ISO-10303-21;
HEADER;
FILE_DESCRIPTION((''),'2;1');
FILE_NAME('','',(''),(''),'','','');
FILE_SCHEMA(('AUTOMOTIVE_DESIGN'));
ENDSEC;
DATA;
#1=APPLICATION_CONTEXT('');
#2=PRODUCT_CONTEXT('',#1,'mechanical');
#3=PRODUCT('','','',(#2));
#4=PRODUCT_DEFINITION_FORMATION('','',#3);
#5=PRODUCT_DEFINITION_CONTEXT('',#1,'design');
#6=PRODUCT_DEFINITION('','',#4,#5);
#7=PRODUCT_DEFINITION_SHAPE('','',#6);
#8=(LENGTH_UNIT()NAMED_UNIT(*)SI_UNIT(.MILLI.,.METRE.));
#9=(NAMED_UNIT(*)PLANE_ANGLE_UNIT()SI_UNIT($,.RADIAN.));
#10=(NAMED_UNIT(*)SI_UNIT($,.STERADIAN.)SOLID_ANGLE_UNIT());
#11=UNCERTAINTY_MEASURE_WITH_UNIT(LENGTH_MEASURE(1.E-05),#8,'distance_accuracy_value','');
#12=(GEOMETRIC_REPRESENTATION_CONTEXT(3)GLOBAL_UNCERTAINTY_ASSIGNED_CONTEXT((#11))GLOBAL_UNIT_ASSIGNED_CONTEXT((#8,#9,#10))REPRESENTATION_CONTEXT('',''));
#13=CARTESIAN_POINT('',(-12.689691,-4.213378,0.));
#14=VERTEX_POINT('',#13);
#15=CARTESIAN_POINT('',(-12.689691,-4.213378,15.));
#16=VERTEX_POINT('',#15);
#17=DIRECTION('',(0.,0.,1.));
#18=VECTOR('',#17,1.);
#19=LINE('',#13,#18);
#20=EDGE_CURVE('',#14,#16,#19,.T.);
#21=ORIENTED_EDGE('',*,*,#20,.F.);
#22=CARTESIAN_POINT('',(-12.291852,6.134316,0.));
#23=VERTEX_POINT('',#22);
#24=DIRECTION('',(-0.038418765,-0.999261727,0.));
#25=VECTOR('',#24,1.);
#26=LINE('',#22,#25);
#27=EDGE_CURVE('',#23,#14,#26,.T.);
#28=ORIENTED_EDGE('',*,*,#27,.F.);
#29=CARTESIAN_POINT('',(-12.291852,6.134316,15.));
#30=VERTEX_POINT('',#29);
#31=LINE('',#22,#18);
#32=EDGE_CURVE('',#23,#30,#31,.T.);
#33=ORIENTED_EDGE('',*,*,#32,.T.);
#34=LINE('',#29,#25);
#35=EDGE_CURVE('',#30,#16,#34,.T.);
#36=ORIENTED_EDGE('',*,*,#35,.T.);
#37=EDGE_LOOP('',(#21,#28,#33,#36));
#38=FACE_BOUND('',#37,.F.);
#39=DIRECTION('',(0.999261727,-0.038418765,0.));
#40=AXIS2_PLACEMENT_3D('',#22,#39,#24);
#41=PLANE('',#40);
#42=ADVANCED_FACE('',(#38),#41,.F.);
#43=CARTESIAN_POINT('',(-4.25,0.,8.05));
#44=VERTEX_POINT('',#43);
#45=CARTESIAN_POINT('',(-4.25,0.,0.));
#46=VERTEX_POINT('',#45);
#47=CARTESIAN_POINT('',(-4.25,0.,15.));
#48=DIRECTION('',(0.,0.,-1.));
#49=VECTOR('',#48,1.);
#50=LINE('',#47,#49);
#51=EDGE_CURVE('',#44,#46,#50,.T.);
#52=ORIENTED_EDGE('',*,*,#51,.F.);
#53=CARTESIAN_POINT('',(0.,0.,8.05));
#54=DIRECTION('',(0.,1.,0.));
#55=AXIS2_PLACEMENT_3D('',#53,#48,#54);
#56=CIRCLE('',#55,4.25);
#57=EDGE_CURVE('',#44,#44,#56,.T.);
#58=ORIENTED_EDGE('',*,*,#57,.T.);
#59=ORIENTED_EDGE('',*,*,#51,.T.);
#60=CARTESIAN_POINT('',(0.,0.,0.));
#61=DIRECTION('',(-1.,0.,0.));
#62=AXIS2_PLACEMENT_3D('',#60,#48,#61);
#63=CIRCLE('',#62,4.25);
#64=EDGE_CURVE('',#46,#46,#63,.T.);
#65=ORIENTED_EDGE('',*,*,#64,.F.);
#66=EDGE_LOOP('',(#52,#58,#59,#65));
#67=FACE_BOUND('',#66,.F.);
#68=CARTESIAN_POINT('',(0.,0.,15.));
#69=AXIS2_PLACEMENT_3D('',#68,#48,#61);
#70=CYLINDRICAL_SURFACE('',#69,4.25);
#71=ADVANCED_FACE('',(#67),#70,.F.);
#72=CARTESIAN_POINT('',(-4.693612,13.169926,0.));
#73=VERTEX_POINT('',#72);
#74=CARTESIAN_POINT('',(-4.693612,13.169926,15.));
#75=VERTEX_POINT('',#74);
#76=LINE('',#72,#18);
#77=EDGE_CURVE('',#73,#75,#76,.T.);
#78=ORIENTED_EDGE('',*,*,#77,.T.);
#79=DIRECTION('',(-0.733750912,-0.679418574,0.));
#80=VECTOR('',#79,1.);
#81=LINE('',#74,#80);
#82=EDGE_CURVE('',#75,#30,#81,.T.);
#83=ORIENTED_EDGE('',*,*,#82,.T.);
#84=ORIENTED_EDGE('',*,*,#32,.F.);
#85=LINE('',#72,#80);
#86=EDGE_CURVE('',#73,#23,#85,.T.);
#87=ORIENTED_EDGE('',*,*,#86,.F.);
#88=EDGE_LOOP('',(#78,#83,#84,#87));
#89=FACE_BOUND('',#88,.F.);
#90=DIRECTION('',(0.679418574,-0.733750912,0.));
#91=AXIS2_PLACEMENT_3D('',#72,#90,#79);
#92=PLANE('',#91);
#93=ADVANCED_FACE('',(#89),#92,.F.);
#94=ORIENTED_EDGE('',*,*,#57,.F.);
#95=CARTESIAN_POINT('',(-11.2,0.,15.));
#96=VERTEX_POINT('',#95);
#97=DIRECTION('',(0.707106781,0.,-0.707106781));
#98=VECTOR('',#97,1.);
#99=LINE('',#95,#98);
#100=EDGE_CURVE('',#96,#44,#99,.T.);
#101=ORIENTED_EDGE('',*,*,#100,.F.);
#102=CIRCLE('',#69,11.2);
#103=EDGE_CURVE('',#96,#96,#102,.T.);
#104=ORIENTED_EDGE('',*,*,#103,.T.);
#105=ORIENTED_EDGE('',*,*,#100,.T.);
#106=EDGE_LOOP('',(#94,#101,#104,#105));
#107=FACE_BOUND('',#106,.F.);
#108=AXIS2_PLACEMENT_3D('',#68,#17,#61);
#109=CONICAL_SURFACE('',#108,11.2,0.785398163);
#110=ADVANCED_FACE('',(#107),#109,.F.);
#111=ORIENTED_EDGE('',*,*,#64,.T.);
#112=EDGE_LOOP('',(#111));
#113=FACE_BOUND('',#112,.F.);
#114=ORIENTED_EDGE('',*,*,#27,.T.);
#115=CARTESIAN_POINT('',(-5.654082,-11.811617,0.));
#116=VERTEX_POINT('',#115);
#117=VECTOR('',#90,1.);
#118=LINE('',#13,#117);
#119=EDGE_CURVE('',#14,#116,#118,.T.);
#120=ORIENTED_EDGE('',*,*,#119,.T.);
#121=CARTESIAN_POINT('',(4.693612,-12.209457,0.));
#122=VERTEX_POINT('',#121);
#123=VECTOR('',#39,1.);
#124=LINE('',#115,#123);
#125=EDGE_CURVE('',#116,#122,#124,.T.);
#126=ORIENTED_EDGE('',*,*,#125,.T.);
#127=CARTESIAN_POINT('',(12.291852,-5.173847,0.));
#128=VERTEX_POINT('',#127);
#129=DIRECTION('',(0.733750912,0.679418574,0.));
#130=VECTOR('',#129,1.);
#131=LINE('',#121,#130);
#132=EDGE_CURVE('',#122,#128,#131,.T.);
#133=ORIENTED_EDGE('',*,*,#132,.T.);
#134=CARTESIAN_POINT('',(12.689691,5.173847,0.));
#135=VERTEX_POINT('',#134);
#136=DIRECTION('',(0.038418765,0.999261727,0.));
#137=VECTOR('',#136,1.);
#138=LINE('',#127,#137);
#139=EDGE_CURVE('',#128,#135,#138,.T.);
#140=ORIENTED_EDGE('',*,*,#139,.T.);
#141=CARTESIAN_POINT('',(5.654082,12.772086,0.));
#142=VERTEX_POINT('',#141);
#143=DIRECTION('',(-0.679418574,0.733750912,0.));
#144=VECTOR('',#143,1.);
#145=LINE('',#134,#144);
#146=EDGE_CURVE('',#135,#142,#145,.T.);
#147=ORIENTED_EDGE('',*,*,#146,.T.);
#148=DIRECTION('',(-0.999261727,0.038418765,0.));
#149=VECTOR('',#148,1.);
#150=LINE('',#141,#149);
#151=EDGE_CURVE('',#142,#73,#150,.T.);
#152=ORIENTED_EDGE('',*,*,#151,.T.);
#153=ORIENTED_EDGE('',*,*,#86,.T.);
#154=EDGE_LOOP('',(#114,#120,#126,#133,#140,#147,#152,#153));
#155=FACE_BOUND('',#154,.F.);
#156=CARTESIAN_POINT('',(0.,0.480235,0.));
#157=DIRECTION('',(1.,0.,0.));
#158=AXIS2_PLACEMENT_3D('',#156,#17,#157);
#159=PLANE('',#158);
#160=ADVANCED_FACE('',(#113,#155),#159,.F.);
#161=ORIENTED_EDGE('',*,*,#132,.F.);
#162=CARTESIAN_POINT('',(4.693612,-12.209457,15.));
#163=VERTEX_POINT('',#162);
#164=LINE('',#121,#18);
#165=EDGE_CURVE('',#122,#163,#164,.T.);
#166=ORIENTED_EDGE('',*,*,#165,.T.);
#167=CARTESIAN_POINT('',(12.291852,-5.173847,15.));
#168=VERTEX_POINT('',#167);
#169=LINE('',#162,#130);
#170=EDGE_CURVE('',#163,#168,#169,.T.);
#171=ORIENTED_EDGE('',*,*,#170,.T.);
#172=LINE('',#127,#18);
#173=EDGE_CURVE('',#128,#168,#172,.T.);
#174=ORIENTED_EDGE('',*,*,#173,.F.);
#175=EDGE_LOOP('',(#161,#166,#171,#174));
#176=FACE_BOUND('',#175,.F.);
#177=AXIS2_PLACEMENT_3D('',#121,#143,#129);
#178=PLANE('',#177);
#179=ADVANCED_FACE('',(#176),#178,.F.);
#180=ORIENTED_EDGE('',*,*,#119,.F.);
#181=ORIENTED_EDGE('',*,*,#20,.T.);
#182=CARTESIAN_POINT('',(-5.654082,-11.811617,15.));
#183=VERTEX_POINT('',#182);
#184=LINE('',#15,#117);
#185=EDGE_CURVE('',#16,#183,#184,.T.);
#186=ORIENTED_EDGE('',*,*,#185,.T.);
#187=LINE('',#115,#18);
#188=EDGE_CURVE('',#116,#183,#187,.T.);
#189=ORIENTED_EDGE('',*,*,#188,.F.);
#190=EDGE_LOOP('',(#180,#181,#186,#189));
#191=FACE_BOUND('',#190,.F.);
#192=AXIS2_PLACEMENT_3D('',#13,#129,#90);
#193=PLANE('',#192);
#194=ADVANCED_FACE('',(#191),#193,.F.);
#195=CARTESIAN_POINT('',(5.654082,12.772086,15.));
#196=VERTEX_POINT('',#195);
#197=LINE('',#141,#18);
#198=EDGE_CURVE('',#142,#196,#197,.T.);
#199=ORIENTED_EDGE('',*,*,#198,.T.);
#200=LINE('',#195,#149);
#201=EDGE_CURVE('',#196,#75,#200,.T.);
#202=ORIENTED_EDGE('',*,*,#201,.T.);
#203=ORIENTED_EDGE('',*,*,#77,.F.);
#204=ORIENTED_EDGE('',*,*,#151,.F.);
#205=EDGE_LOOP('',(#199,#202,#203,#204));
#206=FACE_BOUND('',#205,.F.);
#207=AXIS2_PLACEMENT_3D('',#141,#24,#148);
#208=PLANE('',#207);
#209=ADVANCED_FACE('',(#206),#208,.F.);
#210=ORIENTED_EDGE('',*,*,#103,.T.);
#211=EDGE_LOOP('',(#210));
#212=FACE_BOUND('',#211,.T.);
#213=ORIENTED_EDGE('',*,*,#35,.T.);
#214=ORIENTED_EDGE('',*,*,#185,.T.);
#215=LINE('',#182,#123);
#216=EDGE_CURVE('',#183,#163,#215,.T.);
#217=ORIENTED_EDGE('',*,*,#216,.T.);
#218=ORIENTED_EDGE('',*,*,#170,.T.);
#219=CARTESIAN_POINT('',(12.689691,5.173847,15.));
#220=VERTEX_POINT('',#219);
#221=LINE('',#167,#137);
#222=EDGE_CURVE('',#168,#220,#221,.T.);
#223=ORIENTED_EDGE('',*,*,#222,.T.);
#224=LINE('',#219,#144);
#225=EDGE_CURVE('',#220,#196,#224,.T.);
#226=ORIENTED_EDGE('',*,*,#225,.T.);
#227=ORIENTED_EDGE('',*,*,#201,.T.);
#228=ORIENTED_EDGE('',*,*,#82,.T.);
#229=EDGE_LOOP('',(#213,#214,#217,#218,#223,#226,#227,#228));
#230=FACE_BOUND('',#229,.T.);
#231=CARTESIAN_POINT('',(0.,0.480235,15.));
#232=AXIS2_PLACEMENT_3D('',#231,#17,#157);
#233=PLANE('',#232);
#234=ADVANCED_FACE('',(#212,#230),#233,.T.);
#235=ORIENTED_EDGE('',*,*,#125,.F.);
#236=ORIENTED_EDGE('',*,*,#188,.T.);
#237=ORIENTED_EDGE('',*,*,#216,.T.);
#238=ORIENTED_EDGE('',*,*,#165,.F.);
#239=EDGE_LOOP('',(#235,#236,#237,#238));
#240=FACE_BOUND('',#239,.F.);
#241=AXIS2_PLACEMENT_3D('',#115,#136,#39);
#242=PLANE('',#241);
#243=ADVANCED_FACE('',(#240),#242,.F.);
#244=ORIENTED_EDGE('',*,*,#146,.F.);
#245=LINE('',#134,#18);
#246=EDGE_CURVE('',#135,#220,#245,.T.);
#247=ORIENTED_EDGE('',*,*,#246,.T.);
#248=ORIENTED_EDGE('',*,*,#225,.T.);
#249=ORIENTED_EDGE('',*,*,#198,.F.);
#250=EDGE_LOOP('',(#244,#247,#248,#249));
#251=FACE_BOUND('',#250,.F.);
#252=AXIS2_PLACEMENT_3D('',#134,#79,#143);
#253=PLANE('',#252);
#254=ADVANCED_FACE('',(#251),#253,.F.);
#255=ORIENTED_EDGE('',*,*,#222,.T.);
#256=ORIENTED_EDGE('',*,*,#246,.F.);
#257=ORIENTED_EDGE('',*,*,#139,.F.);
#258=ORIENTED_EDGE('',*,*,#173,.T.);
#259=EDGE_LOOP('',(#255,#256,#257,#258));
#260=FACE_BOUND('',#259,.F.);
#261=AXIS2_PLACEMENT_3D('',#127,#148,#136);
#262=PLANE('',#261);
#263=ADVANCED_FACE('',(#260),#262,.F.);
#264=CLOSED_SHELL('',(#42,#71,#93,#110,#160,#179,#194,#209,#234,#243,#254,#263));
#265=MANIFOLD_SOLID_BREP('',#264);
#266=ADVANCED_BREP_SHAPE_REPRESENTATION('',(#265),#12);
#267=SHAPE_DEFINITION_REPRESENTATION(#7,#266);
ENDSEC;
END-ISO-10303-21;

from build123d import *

# Parameters (mm, degrees)
F1_DEPTH       = 15
F3_D           = 8.5
F3_CSINK_D     = 22.4
F3_CSINK_ANGLE = 90


with BuildPart() as f1:
    # F0 (on Top) → F1 (new body)
    with BuildSketch(Plane.XY):
        Polygon((12.2918519161, -5.1738469947), (12.6896912522, 5.1738469947), (5.654081555, 12.7720864765), (-4.6936124343, 13.1699258125), (-12.2918519161, 6.1343161154), (-12.6896912522, -4.2133778739), (-5.654081555, -11.8116173557), (4.6936124343, -12.2094566918), align=None)
    extrude(amount=F1_DEPTH)

    # F3 (through all)
    with Locations(Plane.XY.offset(15)):
        with Locations((0, 0)):
            CounterSinkHole(F3_D / 2, F3_CSINK_D / 2, counter_sink_angle=F3_CSINK_ANGLE)


solid = f1.part
